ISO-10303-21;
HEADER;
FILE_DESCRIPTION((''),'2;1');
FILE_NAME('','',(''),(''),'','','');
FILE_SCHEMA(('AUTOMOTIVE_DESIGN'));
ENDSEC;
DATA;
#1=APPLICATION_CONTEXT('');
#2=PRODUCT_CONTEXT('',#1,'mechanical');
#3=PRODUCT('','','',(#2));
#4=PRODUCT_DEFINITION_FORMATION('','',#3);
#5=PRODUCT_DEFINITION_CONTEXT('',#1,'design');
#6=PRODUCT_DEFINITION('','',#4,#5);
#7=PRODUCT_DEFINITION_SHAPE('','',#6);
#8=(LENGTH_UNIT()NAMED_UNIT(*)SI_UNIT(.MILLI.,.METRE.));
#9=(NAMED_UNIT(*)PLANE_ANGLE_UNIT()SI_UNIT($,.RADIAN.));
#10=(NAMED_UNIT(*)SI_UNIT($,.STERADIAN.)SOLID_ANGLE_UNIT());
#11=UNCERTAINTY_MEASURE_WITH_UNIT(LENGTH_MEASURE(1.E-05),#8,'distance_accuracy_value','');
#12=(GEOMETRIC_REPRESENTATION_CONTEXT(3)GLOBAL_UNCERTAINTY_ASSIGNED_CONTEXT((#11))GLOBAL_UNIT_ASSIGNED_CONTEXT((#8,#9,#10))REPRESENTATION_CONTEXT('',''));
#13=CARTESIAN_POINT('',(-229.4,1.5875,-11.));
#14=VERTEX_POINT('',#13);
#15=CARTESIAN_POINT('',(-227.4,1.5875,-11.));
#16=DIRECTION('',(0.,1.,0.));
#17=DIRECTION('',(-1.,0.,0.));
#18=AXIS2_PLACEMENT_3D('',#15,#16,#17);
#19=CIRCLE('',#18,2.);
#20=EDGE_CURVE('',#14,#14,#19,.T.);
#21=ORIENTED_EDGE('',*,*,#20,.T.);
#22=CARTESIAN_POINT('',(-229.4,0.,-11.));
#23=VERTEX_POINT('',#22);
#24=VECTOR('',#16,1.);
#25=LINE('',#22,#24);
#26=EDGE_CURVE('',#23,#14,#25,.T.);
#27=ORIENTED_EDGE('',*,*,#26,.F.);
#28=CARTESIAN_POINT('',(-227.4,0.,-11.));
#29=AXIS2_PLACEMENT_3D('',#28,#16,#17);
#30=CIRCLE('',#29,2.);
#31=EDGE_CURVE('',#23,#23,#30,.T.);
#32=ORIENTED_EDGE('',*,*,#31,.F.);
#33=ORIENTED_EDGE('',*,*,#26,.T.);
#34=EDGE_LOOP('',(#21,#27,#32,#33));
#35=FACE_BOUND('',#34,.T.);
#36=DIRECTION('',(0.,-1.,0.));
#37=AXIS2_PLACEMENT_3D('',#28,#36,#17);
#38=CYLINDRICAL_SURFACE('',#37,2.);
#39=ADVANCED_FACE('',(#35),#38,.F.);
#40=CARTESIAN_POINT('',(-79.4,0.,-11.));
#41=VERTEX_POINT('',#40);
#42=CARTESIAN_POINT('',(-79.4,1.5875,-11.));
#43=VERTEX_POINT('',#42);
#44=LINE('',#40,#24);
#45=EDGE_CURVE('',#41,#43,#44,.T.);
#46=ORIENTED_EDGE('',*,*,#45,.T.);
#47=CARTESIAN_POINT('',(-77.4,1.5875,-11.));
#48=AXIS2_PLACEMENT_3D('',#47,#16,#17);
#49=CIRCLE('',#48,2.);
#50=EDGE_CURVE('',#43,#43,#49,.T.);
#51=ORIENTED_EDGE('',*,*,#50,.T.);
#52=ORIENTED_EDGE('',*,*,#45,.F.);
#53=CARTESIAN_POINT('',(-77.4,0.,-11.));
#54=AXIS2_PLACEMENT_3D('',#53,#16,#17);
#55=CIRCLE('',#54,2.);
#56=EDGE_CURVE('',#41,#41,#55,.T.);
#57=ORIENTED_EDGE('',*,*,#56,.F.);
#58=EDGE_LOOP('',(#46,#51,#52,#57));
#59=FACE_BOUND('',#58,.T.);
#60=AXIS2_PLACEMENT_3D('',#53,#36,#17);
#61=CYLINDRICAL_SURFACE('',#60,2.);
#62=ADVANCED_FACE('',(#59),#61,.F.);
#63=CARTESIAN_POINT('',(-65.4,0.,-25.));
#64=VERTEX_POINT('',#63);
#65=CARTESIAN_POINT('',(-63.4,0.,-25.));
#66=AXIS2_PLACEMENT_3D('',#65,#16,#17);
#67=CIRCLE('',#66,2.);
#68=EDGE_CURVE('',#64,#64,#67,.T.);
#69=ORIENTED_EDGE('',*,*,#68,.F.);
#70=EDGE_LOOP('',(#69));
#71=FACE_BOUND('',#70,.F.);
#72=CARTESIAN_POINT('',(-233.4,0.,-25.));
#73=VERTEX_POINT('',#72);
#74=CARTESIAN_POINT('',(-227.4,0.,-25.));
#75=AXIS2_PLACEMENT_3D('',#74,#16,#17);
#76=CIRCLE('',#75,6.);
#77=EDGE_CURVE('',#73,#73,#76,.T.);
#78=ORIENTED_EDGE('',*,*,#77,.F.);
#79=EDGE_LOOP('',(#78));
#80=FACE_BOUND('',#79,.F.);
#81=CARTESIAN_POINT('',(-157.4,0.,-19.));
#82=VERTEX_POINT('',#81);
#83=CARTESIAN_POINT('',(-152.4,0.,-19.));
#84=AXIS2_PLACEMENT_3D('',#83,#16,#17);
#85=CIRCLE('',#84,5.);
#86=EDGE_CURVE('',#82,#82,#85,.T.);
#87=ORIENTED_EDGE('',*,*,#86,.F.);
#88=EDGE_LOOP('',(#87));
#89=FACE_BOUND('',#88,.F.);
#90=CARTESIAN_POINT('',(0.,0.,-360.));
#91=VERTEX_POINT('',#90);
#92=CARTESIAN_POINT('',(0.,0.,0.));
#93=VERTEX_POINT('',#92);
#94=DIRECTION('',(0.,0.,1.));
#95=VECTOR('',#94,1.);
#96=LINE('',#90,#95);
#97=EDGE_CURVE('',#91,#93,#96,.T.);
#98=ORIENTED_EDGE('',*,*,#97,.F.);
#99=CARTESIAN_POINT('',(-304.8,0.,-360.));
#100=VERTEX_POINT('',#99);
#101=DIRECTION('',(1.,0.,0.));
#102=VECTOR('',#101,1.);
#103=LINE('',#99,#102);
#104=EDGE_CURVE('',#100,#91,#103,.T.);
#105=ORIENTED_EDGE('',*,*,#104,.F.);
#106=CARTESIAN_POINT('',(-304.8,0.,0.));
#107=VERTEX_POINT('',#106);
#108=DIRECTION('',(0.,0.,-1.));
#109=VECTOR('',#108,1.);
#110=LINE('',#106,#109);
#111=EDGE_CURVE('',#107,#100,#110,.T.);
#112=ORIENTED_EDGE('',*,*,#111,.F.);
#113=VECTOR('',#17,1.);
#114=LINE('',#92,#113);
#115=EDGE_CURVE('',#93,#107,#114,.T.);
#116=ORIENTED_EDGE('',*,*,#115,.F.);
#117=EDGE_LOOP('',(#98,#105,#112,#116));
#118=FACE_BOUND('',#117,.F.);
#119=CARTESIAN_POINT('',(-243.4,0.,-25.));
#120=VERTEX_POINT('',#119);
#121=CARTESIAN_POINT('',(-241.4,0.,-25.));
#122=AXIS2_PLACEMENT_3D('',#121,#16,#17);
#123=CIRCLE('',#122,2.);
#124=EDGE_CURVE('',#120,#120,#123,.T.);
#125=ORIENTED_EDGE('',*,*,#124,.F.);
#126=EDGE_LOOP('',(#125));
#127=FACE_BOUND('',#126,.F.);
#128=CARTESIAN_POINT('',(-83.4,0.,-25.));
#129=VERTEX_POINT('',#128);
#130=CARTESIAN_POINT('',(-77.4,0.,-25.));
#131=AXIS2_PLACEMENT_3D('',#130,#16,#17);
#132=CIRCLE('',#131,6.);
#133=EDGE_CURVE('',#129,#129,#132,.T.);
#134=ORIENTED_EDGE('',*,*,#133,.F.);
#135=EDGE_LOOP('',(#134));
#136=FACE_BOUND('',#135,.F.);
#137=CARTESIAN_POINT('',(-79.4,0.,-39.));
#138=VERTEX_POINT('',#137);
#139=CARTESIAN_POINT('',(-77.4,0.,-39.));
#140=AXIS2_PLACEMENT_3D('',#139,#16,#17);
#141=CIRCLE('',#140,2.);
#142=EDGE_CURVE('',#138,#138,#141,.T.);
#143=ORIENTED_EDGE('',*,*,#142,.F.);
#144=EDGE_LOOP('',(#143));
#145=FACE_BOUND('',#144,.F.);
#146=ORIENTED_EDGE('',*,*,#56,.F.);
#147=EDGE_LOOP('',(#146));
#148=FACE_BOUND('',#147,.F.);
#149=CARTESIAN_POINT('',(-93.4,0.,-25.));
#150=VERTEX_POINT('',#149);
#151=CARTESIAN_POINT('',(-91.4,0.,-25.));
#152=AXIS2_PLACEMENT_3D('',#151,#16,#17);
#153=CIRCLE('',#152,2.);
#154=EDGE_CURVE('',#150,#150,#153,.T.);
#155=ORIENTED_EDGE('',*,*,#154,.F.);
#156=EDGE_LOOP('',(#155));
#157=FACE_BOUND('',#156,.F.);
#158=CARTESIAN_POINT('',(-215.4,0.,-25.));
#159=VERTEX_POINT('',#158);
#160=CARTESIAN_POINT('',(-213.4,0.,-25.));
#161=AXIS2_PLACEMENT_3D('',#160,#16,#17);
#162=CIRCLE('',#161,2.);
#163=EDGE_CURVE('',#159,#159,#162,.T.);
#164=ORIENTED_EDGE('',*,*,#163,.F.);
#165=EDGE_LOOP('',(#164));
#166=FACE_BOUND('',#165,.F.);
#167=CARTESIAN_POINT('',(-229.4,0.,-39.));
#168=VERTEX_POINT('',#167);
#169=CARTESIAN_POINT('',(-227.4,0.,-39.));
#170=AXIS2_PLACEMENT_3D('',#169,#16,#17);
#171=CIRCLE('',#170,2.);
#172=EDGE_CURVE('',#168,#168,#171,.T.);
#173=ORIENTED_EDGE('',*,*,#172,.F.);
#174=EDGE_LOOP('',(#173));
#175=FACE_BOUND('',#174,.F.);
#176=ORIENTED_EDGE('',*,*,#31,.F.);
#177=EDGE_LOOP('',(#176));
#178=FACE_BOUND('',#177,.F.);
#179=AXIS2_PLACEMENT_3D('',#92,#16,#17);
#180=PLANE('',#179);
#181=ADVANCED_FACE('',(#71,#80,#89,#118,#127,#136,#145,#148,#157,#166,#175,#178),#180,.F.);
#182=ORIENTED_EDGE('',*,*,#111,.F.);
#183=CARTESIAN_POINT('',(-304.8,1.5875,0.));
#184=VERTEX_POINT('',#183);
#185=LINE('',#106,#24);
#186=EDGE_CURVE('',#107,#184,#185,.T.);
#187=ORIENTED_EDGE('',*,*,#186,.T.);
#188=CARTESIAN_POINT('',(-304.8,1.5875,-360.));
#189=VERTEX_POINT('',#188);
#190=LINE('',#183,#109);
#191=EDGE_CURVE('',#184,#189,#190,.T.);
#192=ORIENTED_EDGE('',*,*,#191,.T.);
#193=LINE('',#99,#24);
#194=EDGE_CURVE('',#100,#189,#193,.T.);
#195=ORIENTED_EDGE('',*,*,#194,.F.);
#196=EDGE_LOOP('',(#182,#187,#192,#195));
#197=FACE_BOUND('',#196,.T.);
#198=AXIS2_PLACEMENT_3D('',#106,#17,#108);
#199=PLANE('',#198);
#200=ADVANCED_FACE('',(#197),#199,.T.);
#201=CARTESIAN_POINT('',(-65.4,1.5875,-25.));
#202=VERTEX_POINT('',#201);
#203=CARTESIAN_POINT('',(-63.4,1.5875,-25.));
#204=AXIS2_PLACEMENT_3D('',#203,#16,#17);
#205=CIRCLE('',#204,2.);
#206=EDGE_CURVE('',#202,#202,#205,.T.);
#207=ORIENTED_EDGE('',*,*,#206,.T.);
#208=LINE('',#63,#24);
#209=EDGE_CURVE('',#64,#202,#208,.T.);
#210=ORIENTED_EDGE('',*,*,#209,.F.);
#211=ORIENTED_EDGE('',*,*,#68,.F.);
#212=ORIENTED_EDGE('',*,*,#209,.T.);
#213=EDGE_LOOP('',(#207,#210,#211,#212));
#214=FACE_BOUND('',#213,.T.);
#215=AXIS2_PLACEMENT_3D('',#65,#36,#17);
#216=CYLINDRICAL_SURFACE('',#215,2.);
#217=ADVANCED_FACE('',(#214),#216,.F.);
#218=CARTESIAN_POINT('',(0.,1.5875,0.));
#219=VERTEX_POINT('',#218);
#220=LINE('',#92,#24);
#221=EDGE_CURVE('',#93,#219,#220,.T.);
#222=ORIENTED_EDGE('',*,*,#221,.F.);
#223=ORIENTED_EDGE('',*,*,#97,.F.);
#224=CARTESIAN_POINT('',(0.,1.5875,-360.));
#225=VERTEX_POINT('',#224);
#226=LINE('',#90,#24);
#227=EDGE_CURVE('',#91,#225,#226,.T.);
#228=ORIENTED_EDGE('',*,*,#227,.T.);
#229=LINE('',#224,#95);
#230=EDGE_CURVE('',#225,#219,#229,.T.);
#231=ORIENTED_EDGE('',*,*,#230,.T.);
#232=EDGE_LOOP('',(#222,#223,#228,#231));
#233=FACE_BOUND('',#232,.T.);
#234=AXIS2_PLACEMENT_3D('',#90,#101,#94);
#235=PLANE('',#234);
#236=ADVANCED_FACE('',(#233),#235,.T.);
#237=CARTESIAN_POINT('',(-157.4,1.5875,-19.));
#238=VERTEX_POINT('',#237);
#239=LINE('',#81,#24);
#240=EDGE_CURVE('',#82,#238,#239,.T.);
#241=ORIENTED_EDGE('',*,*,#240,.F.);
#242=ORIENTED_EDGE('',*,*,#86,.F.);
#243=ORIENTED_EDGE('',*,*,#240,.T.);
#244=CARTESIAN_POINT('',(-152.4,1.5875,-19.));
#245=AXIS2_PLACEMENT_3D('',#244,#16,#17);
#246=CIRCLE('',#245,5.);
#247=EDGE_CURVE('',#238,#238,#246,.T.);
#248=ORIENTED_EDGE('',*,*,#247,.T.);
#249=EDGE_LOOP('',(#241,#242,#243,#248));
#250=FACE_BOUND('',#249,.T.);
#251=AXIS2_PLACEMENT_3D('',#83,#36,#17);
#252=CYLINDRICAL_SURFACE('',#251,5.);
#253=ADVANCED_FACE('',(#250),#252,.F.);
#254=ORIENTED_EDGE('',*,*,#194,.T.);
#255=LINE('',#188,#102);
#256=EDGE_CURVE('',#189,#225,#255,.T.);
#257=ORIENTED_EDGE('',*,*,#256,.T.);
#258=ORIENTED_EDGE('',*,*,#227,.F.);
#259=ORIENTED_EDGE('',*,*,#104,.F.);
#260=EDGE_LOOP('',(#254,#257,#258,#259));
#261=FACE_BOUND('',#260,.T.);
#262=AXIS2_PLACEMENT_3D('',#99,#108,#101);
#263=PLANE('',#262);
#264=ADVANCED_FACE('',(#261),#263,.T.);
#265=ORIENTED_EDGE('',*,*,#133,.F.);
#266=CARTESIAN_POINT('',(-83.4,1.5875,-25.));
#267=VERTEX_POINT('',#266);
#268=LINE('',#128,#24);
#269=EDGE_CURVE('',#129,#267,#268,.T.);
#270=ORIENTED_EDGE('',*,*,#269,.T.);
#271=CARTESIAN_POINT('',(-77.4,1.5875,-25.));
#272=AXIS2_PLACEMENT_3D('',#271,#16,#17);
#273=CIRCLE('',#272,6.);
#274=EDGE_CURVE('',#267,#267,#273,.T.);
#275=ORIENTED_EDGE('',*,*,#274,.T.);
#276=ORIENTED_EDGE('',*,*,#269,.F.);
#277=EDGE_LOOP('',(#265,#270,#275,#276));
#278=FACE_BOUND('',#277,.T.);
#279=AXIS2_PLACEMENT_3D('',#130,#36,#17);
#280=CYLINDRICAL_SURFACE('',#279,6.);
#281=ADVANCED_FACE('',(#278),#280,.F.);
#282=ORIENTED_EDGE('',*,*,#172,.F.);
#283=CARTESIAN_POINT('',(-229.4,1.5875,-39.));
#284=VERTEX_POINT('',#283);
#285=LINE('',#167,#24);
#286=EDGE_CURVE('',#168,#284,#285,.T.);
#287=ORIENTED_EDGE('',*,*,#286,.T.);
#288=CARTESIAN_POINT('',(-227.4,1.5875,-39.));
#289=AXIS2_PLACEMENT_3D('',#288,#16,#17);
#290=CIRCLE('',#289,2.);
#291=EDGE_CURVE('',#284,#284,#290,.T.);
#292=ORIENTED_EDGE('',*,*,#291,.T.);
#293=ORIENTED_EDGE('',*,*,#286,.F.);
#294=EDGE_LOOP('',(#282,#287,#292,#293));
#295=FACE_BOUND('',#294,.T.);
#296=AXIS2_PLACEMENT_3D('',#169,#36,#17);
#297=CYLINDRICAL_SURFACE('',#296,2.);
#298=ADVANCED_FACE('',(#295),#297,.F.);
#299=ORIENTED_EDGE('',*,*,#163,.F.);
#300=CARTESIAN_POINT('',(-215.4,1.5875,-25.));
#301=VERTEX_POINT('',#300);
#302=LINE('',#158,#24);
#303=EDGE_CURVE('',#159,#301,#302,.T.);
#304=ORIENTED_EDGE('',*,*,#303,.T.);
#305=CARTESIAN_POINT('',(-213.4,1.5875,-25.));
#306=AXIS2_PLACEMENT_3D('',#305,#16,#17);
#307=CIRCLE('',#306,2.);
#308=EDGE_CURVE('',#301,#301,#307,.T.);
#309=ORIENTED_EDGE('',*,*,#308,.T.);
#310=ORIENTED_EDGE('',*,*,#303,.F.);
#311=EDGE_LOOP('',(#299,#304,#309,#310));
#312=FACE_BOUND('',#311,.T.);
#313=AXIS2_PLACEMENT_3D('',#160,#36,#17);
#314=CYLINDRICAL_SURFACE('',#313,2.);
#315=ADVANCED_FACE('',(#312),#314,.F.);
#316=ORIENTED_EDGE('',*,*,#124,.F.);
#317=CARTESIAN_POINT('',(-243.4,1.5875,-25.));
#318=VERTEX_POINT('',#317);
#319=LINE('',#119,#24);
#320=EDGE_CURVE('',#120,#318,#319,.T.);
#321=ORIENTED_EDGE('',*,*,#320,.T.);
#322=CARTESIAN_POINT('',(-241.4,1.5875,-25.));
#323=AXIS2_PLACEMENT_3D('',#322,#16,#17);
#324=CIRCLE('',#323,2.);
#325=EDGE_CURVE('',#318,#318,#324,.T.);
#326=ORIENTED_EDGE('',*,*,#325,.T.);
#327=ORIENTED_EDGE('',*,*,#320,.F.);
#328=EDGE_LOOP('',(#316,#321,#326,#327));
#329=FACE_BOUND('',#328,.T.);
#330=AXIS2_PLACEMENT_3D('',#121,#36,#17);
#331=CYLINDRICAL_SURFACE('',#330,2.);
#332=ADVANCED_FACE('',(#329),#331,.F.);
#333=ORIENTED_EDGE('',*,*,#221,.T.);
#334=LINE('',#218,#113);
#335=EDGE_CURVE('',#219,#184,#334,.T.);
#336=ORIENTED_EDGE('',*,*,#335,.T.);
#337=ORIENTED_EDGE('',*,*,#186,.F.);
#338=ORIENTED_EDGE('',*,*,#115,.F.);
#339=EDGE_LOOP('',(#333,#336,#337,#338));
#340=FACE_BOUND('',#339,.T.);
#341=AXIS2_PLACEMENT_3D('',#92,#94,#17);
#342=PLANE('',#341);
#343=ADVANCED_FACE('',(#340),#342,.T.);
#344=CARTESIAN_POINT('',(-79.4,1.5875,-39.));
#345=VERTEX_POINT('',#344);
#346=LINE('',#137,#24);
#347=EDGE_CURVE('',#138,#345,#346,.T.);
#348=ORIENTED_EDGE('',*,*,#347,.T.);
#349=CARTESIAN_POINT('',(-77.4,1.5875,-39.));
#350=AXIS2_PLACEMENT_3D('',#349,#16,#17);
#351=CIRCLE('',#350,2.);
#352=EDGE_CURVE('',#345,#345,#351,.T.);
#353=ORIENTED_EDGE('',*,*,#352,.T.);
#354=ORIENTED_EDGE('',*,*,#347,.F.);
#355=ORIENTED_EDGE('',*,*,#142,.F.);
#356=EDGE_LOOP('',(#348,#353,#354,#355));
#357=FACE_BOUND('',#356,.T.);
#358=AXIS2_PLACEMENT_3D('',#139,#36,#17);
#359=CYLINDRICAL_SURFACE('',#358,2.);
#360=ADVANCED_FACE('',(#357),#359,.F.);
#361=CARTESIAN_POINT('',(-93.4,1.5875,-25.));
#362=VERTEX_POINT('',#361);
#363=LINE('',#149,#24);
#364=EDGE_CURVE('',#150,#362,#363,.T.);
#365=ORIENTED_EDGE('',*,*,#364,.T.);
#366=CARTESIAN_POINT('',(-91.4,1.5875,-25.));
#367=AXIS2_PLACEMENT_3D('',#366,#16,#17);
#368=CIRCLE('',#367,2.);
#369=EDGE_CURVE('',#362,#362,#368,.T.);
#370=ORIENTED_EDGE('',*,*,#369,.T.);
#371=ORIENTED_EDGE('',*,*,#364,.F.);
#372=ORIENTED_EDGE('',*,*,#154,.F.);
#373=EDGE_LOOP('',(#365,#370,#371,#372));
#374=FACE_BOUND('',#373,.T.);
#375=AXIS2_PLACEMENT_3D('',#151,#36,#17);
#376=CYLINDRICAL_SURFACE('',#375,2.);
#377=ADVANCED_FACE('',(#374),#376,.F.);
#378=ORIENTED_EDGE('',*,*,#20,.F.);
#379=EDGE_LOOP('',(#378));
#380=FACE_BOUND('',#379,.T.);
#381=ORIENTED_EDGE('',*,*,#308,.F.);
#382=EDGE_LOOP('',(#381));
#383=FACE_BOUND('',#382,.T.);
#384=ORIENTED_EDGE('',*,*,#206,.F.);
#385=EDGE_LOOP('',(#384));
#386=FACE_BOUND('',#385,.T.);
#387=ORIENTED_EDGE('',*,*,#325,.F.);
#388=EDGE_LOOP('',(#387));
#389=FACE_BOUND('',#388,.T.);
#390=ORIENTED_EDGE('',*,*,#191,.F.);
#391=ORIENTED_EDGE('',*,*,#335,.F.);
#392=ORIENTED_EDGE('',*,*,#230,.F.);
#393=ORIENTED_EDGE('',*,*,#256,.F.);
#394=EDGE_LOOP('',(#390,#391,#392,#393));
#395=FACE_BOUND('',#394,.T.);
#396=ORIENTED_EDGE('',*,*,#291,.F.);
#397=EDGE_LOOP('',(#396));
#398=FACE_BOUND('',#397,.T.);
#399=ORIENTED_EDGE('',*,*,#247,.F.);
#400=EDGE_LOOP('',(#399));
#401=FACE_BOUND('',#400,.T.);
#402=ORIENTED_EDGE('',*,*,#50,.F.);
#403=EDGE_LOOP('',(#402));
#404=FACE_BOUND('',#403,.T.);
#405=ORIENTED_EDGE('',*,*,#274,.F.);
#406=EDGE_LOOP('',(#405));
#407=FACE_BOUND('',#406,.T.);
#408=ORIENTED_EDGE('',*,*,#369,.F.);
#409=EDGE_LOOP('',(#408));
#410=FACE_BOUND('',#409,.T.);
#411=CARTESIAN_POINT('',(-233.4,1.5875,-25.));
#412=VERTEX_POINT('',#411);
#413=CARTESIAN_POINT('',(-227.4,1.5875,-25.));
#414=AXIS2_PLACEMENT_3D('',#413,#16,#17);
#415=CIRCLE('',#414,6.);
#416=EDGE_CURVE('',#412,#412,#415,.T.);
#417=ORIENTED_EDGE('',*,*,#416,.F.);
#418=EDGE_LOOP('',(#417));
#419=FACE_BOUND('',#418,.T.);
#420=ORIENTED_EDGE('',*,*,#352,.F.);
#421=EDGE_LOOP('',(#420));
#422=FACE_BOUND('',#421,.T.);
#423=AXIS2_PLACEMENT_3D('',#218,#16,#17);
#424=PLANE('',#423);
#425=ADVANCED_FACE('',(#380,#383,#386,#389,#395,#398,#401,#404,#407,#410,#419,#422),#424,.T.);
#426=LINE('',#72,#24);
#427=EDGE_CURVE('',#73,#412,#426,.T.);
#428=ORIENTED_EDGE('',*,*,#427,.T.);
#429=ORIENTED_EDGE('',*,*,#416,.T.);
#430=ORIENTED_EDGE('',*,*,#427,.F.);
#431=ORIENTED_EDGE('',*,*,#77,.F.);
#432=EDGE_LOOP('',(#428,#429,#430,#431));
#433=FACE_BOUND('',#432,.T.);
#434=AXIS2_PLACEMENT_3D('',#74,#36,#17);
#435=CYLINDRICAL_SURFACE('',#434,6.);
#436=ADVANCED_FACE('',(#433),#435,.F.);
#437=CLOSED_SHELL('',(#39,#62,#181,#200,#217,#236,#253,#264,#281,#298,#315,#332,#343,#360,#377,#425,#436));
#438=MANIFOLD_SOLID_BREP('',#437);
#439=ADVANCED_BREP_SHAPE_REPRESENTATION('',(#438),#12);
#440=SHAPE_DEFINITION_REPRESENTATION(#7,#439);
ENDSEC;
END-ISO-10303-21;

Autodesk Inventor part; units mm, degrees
ref_plane "YZ Plane" through (0, 0, 0) normal (1, 0, 0) x (0, 1, 0)
ref_plane "XZ Plane" through (0, 0, 0) normal (0, 1, 0) x (-1, 0, 0)
ref_plane "XY Plane" through (0, 0, 0) normal (0, 0, 1) x (1, 0, 0)
sketch "Sketch9" plane through (0, 0, 0) normal (0, 1, 0) x (-1, 0, 0)
  line L0 (0, 0) -> (304.8, 0)
  line L1 (304.8, 0) -> (304.8, -360)
  line L2 (304.8, -360) -> (0, -360)
  line L3 (0, -360) -> (0, 0)
  line L4 (152.4, 0) -> (152.4, -19) construction
  circle A0 centre (152.4, -19) radius 5
  line L5 (20.9546, -25) -> (290.8502, -25) construction
  line L6 (152.4, 0) -> (227.4, 0) construction
  line L7 (227.4, -43.4011) -> (227.4, 0) construction
  line L8 (152.4, 0) -> (77.4, 0) construction
  line L9 (77.4, -41.0151) -> (77.4, 0) construction
  circle A1 centre (77.4, -25) radius 6
  circle A2 centre (227.4, -25) radius 6
  circle A3 centre (77.4, -25) radius 14 construction
  circle A4 centre (77.4, -11) radius 2
  circle A5 centre (91.4, -25) radius 2
  circle A6 centre (77.4, -39) radius 2
  circle A7 centre (63.4, -25) radius 2
  circle A8 centre (227.4, -25) radius 14 construction
  circle A9 centre (227.4, -11) radius 2
  circle A10 centre (241.4, -25) radius 2
  circle A11 centre (227.4, -39) radius 2
  circle A12 centre (213.4, -25) radius 2
  dimension "d22" = 304.8
  dimension "d23" = 360
  dimension "d24" = 19
  dimension "d25" = 10
  dimension "d27" = 12
  dimension "d28" = 12
  dimension "d30" = 28
  dimension "d31" = 4
  dimension "d32" = 4
  dimension "d33" = 4
  dimension "d34" = 4
  dimension "d35" = 75
  dimension "d36" = 11
  dimension "d37" = 77.4
  dimension "d38" = 25
  dimension "d39" = 28
  dimension "d40" = 4
  dimension "d41" = 4
  dimension "d42" = 4
  dimension "d43" = 4
  dimension "d44" = 11
extrude "Extrusion5" add sketch "Sketch9" along normal blind 1.5875
properties part number "prototype build plate large" material "Aluminum 6061"
